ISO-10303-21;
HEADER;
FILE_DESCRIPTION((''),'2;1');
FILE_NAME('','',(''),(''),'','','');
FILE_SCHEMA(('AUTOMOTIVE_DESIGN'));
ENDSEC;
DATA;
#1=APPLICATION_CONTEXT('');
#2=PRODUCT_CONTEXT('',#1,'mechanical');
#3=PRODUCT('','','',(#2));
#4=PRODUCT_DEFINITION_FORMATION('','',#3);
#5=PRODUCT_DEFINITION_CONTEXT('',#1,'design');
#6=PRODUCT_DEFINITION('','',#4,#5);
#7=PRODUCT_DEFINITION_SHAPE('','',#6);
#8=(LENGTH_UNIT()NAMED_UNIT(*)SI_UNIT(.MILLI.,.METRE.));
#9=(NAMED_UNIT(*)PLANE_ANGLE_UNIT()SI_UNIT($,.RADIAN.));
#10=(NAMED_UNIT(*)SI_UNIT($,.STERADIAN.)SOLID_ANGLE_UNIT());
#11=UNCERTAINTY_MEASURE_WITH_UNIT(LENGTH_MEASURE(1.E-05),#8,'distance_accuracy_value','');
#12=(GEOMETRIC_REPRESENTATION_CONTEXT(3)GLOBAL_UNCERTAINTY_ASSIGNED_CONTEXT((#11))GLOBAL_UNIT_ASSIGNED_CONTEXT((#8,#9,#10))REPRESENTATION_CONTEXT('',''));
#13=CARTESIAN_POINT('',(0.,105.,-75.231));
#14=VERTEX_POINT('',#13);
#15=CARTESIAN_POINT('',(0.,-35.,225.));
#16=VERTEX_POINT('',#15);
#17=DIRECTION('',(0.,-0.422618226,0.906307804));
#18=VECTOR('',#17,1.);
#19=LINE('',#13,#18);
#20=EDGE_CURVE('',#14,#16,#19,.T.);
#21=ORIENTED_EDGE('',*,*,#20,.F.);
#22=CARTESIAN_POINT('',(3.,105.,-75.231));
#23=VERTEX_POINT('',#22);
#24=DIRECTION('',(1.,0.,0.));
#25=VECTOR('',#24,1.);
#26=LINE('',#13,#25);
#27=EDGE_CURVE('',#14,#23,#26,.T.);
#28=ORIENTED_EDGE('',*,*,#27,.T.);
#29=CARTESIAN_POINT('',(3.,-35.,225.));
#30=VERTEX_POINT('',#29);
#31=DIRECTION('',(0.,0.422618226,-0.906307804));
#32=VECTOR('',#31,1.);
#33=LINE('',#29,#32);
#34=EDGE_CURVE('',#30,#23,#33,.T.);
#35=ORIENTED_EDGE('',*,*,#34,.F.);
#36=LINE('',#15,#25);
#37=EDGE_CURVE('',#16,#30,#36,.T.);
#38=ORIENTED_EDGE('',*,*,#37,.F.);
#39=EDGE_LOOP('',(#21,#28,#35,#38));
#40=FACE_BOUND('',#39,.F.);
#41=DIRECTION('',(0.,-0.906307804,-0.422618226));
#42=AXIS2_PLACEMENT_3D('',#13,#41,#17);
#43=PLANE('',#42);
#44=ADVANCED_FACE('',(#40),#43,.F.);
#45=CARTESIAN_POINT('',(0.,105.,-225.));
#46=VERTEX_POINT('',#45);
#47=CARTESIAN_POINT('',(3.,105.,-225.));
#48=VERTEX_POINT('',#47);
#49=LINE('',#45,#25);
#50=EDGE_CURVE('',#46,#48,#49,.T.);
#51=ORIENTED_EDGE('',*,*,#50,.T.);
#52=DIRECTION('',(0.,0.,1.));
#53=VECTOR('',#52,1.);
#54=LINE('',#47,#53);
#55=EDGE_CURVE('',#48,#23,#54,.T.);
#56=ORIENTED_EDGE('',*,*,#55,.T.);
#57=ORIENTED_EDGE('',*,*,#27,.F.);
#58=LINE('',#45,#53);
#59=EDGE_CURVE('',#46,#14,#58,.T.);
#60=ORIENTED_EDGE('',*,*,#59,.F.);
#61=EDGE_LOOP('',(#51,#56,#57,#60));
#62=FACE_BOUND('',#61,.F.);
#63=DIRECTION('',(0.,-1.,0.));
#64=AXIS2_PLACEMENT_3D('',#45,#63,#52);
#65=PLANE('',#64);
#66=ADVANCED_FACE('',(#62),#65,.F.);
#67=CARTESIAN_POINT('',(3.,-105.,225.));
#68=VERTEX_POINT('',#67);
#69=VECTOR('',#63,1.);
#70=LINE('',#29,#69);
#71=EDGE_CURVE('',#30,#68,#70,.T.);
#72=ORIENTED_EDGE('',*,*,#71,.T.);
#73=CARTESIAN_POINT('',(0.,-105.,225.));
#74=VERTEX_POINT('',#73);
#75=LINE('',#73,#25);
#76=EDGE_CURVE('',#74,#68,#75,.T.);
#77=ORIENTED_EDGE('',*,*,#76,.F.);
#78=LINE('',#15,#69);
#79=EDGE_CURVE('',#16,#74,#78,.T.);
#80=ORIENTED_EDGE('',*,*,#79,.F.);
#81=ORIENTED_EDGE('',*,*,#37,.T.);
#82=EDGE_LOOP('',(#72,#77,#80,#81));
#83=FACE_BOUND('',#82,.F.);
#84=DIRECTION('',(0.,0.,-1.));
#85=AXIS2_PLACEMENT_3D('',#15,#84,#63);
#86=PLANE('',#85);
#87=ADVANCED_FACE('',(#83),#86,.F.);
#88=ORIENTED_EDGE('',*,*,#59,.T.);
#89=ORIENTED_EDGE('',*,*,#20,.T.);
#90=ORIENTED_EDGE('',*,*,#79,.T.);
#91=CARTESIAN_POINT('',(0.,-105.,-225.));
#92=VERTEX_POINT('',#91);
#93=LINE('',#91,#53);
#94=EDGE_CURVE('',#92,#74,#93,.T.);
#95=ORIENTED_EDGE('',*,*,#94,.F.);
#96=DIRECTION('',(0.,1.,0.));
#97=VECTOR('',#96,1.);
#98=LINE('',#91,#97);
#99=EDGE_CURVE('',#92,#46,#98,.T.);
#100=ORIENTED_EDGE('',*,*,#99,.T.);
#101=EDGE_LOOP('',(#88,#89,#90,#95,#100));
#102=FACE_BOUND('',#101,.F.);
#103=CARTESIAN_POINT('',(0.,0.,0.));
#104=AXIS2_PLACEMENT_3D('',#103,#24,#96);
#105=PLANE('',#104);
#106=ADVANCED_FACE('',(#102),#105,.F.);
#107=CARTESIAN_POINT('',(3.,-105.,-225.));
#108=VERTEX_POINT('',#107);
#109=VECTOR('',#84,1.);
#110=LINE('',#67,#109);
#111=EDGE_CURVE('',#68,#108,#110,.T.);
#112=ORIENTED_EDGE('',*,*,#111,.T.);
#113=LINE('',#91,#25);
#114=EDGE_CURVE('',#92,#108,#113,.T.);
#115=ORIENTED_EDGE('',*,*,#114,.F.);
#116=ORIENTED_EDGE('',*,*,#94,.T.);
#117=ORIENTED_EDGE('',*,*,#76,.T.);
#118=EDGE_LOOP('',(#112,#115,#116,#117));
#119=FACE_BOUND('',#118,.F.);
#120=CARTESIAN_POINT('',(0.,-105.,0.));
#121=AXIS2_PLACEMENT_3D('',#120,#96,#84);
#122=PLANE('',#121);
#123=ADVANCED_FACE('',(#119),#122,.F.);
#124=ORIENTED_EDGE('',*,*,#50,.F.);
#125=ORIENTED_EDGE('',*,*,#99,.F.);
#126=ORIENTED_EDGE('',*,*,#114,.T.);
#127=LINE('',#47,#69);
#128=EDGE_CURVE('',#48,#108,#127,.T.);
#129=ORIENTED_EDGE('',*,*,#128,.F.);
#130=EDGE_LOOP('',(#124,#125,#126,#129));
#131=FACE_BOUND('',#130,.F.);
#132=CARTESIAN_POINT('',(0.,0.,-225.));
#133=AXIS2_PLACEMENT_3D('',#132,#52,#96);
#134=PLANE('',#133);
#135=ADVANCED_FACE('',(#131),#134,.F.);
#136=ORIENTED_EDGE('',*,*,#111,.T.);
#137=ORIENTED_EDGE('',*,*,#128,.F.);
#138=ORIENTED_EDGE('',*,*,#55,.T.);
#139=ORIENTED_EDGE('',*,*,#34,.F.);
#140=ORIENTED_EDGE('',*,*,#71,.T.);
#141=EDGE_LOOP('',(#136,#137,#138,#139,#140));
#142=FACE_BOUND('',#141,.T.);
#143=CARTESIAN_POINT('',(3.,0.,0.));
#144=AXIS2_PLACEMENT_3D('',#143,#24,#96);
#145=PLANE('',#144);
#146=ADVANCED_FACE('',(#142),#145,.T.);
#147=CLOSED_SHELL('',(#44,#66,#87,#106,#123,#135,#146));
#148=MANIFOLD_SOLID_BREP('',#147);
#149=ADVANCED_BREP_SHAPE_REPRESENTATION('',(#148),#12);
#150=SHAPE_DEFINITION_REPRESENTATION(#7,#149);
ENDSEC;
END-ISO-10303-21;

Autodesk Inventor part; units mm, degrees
ref_plane "YZ Plane" through (0, 0, 0) normal (1, 0, 0) x (0, 1, 0)
ref_plane "XZ Plane" through (0, 0, 0) normal (0, 1, 0) x (-1, 0, 0)
ref_plane "XY Plane" through (0, 0, 0) normal (0, 0, 1) x (1, 0, 0)
sketch "スケッチ1" plane through (0, 0, 0) normal (1, 0, 0) x (0, 1, 0)
  line L0 (105, -75.231) -> (-35, 225)
  line L1 (-35, 225) -> (-105, 225)
  line L2 (-105, 225) -> (-105, -225)
  line L3 (-105, -225) -> (105, -225)
  line L4 (105, -225) -> (105, -75.231)
  line L5 (-147, 0) -> (147, 0) projected
  line L6 (0, -315) -> (0, 315) projected
  point P0 (0, 0)
  point P1 (-105, 0)
  point P2 (0, -225)
  dimension "d0" = 70
  dimension "d1" = 450
  dimension "d2" = 210
  dimension "d3" = 25
extrude "押し出し1" add sketch "スケッチ1" along normal blind 3
properties part number "side" material "CFRP"
